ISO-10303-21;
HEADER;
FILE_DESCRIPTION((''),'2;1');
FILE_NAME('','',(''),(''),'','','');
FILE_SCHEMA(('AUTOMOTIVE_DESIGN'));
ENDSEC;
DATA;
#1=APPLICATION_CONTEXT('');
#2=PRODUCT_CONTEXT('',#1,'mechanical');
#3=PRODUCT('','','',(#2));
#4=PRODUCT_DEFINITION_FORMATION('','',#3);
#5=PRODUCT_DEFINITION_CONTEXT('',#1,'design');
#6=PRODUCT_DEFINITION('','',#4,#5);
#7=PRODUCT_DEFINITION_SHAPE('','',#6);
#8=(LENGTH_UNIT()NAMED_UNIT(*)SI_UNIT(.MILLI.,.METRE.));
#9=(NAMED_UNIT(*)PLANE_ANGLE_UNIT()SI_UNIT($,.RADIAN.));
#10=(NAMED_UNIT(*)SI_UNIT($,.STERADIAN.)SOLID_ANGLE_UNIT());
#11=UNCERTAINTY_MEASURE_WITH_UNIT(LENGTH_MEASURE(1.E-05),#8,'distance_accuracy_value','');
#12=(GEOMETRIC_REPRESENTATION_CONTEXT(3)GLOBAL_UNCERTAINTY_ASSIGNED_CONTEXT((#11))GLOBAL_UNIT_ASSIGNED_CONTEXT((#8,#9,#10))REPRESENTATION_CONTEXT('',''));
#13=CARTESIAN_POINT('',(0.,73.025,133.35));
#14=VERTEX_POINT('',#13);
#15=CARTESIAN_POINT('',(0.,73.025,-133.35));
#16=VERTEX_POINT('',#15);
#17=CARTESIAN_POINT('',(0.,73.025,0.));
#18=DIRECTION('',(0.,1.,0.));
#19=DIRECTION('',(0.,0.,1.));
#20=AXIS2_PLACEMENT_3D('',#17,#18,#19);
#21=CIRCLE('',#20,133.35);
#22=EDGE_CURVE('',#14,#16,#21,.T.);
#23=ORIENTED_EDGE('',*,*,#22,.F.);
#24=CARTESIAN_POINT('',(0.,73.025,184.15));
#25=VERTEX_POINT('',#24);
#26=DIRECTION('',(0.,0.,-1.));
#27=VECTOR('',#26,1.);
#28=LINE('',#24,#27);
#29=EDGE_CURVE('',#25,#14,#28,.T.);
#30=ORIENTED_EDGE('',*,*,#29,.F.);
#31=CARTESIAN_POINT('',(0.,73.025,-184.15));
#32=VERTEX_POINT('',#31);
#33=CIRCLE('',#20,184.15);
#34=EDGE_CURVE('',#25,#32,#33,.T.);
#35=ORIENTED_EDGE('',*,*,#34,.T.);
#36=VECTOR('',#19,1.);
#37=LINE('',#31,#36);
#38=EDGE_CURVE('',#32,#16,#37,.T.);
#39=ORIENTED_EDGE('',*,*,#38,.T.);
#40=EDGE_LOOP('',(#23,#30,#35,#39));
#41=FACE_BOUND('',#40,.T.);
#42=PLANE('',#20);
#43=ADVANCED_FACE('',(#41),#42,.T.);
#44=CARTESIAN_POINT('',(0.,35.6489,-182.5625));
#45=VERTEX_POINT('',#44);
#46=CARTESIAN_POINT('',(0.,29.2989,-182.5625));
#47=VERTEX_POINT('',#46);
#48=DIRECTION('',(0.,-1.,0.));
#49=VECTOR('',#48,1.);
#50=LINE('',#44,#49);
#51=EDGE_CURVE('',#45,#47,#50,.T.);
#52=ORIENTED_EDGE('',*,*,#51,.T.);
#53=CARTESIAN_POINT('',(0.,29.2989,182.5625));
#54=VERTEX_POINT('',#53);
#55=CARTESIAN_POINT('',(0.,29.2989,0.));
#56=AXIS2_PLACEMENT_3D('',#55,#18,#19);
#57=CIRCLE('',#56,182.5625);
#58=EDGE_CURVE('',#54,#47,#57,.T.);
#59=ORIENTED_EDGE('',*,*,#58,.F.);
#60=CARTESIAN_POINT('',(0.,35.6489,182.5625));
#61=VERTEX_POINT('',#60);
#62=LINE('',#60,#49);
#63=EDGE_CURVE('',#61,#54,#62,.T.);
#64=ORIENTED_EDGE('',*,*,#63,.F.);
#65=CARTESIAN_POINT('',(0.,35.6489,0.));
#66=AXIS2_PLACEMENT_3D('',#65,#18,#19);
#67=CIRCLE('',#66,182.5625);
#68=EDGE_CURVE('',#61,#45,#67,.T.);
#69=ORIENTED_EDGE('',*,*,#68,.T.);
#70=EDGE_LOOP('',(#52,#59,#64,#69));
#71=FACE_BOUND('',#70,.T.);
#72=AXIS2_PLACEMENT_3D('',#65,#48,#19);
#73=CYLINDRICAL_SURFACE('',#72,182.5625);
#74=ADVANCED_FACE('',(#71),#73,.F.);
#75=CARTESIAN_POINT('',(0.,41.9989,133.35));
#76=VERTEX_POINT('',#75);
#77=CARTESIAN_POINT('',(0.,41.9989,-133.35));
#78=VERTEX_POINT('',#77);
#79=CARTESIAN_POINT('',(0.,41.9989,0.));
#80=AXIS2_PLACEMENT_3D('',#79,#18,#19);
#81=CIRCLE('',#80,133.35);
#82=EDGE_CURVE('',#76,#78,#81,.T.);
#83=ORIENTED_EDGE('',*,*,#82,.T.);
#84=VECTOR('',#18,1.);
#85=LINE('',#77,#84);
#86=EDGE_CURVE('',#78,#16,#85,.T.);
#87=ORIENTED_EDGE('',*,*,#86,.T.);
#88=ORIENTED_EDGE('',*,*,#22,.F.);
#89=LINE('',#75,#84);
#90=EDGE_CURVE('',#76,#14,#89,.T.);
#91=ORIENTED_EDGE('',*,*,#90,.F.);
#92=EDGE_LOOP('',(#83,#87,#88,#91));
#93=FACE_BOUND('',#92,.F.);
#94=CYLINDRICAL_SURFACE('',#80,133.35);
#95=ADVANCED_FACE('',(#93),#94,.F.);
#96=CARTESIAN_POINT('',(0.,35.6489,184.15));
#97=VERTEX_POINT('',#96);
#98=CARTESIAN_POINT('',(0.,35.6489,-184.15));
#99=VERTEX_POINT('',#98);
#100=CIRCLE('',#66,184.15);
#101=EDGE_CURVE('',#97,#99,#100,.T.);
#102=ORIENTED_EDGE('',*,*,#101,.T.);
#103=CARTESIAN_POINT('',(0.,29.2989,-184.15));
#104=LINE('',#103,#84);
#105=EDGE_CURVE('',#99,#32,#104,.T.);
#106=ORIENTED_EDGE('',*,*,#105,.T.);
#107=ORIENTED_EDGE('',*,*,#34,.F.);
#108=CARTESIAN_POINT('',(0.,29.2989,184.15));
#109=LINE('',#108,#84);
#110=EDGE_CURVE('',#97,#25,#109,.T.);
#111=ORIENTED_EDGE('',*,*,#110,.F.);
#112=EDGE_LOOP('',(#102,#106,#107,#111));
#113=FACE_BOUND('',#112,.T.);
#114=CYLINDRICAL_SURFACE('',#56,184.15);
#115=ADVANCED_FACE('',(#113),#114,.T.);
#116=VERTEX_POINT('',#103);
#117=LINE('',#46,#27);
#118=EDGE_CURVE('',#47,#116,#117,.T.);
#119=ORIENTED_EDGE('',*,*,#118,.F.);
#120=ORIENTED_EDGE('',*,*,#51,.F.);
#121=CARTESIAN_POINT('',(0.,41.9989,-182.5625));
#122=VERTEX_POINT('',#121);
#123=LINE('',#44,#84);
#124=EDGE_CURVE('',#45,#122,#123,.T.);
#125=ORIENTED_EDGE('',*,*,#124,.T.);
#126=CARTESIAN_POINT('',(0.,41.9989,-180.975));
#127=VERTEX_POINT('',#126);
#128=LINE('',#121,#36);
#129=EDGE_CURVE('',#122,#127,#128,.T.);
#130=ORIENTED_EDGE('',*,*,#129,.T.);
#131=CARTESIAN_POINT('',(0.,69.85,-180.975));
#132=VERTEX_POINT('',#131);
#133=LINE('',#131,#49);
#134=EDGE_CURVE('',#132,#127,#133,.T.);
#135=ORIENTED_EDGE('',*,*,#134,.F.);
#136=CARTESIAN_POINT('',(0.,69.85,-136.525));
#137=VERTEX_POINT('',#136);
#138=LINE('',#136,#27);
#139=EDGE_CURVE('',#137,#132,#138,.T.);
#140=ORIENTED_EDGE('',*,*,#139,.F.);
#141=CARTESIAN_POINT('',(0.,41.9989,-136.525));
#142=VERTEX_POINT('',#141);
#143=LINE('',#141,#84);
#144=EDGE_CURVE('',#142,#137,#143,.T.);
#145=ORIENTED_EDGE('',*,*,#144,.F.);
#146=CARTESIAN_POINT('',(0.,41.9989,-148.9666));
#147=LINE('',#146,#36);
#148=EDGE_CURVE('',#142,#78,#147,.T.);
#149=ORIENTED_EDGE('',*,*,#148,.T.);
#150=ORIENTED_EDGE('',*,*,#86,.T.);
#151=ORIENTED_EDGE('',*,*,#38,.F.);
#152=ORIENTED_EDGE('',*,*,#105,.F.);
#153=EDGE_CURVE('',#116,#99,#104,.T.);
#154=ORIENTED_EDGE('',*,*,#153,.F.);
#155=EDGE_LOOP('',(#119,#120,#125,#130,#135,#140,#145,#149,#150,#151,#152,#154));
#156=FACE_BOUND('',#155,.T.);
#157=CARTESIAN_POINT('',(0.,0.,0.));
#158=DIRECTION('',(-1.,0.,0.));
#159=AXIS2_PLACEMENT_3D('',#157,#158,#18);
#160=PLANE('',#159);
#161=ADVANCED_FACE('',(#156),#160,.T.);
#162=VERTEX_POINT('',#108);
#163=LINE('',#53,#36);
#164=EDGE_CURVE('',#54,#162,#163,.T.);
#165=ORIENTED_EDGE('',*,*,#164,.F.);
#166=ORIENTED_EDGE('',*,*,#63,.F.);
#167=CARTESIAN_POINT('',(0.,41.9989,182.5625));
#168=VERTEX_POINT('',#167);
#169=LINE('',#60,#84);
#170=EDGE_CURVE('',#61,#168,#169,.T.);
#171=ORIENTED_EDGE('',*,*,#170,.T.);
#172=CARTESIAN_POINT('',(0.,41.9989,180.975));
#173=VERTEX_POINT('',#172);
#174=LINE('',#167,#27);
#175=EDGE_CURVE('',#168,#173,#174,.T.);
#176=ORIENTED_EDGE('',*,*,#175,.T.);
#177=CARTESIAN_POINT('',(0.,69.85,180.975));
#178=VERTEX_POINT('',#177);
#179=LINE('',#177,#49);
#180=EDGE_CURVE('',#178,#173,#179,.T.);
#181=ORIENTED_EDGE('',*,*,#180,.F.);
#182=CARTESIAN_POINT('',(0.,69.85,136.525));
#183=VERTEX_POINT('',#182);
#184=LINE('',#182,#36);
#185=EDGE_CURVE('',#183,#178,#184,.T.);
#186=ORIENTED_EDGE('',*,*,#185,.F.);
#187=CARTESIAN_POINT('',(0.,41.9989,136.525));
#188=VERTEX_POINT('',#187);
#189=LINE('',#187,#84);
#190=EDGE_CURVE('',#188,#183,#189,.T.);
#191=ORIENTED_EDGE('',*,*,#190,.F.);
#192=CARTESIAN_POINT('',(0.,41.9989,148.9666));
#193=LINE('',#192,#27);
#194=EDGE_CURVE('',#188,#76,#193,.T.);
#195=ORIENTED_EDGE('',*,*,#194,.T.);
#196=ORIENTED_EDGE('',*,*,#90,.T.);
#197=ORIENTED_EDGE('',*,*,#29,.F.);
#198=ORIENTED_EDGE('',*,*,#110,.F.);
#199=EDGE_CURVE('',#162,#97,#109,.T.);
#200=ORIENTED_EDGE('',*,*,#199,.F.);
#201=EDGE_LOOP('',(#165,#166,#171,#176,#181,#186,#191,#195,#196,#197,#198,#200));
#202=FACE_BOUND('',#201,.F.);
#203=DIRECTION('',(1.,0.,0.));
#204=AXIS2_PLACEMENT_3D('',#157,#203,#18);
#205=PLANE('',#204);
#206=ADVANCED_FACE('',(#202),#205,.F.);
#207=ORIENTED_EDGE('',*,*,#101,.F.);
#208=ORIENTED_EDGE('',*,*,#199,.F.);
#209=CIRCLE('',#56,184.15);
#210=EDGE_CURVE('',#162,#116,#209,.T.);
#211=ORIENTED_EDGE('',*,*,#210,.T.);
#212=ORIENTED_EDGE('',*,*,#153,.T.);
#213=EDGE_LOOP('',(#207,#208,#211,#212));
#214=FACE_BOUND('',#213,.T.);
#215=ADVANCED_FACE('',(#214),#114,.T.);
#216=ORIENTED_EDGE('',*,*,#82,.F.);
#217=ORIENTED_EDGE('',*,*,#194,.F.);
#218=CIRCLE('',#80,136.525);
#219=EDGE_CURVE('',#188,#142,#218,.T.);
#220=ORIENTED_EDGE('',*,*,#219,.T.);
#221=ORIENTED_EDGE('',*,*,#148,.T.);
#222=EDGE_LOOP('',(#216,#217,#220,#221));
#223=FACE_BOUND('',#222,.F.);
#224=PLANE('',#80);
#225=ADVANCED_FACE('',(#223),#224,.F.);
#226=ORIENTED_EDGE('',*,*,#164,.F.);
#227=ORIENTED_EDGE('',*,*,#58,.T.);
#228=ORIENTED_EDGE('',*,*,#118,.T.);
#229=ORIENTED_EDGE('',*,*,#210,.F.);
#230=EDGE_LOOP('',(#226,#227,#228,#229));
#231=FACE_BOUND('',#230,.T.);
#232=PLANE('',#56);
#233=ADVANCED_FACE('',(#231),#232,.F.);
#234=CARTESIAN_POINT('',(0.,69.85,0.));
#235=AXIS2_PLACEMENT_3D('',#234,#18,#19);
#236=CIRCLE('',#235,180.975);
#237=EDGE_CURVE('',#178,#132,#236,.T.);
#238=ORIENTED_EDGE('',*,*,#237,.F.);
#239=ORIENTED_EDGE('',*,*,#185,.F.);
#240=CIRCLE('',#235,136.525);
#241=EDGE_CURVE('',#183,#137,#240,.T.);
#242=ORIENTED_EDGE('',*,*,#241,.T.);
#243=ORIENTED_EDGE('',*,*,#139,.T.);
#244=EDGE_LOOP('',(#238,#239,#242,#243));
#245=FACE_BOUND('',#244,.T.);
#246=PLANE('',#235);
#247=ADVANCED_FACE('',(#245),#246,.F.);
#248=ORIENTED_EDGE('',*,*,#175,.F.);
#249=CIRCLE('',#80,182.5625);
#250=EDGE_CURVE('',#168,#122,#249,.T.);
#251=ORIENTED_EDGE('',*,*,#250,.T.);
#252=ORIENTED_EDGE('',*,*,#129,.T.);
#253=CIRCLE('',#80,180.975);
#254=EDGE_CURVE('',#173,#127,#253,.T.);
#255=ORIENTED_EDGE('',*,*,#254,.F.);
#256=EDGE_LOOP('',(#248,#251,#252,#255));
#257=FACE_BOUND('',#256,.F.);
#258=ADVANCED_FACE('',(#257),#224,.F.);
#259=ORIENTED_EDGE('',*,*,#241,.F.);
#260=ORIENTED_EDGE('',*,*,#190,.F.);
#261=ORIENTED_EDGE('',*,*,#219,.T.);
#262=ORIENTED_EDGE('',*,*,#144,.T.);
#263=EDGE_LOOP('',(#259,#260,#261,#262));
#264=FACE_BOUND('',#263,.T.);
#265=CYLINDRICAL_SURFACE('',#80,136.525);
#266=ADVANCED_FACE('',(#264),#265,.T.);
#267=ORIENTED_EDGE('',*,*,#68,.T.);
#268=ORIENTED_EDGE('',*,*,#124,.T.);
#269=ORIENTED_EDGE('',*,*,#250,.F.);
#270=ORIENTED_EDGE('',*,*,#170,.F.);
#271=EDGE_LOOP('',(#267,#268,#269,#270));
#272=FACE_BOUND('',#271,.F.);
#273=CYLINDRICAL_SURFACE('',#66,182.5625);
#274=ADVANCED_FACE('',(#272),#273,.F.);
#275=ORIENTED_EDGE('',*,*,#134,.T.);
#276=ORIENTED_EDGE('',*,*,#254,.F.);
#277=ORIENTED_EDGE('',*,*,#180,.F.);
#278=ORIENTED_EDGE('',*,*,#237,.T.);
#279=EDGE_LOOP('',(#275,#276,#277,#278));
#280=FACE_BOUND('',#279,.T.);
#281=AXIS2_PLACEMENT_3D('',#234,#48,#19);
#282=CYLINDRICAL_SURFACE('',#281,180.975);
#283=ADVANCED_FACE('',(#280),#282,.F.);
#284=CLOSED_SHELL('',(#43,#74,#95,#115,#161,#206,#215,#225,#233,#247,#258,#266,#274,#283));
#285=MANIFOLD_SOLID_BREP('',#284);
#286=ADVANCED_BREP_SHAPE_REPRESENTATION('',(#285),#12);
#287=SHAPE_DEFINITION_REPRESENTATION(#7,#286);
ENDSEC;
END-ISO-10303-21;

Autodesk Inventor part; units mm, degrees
ref_plane "YZ Plane" through (0, 0, 0) normal (1, 0, 0) x (0, 1, 0)
ref_plane "XZ Plane" through (0, 0, 0) normal (0, 1, 0) x (-1, 0, 0)
ref_plane "XY Plane" through (0, 0, 0) normal (0, 0, 1) x (1, 0, 0)
sketch "Sketch1" plane through (0, 0, 0) normal (1, 0, 0) x (0, 1, 0)
  line L0 (0, 0) -> (50.8, 0)
  line L1 (0, 133.35) -> (0, 184.15)
  line L2 (29.2989, 184.15) -> (73.025, 184.15)
  line L3 (73.025, 184.15) -> (73.025, 133.35)
  line L4 (69.85, 180.975) -> (41.9989, 180.975)
  line L5 (3.175, 180.975) -> (3.175, 136.525)
  line L6 (69.85, 136.525) -> (69.85, 180.975)
  line L7 (29.2989, 148.3694) -> (29.2989, 120.4477)
  line L8 (41.9989, 148.9666) -> (41.9989, 122.6874)
  line L9 (0, 133.35) -> (29.2989, 133.35)
  line L10 (41.9989, 133.35) -> (73.025, 133.35)
  line L11 (3.175, 136.525) -> (29.2989, 136.525)
  line L12 (41.9989, 136.525) -> (69.85, 136.525)
  line L13 (35.6489, 182.5625) -> (29.2989, 182.5625)
  line L14 (29.2989, 182.5625) -> (29.2989, 184.15)
  line L15 (35.6489, 182.5625) -> (41.9989, 182.5625)
  line L16 (41.9989, 182.5625) -> (41.9989, 180.975)
  line L17 (35.6489, 170.4093) -> (35.6489, 182.5625)
  line L18 (35.6489, 184.15) -> (35.6489, 196.0777)
  point P0 (3.175, 180.975)
  point P1 (69.85, 136.525)
  dimension "d0" = 50.8
  dimension "d3" = 50.8
  dimension "d4" = 73.025
  dimension "d5" = 3.175
  dimension "d6" = 3.175
  dimension "d7" = 3.175
  dimension "d8" = 3.175
  dimension "d9" = 3.175
  dimension "d11" = 3.175
  dimension "d13" = 26.1239
  dimension "d14" = 12.7
  dimension "d16" = 133.35
  dimension "d17" = 3.175
  dimension "d18" = 3.175
  dimension "d19" = 6.35
  dimension "d20" = 1.5875
  dimension "d21" = 6.35
  dimension "d22" = 6.35
revolve "Revolution1" add sketch "Sketch1" angle 180 about axis through (0, 0, 0) along (0, 1, 0)
properties part number "Outer_Shell_Top"
